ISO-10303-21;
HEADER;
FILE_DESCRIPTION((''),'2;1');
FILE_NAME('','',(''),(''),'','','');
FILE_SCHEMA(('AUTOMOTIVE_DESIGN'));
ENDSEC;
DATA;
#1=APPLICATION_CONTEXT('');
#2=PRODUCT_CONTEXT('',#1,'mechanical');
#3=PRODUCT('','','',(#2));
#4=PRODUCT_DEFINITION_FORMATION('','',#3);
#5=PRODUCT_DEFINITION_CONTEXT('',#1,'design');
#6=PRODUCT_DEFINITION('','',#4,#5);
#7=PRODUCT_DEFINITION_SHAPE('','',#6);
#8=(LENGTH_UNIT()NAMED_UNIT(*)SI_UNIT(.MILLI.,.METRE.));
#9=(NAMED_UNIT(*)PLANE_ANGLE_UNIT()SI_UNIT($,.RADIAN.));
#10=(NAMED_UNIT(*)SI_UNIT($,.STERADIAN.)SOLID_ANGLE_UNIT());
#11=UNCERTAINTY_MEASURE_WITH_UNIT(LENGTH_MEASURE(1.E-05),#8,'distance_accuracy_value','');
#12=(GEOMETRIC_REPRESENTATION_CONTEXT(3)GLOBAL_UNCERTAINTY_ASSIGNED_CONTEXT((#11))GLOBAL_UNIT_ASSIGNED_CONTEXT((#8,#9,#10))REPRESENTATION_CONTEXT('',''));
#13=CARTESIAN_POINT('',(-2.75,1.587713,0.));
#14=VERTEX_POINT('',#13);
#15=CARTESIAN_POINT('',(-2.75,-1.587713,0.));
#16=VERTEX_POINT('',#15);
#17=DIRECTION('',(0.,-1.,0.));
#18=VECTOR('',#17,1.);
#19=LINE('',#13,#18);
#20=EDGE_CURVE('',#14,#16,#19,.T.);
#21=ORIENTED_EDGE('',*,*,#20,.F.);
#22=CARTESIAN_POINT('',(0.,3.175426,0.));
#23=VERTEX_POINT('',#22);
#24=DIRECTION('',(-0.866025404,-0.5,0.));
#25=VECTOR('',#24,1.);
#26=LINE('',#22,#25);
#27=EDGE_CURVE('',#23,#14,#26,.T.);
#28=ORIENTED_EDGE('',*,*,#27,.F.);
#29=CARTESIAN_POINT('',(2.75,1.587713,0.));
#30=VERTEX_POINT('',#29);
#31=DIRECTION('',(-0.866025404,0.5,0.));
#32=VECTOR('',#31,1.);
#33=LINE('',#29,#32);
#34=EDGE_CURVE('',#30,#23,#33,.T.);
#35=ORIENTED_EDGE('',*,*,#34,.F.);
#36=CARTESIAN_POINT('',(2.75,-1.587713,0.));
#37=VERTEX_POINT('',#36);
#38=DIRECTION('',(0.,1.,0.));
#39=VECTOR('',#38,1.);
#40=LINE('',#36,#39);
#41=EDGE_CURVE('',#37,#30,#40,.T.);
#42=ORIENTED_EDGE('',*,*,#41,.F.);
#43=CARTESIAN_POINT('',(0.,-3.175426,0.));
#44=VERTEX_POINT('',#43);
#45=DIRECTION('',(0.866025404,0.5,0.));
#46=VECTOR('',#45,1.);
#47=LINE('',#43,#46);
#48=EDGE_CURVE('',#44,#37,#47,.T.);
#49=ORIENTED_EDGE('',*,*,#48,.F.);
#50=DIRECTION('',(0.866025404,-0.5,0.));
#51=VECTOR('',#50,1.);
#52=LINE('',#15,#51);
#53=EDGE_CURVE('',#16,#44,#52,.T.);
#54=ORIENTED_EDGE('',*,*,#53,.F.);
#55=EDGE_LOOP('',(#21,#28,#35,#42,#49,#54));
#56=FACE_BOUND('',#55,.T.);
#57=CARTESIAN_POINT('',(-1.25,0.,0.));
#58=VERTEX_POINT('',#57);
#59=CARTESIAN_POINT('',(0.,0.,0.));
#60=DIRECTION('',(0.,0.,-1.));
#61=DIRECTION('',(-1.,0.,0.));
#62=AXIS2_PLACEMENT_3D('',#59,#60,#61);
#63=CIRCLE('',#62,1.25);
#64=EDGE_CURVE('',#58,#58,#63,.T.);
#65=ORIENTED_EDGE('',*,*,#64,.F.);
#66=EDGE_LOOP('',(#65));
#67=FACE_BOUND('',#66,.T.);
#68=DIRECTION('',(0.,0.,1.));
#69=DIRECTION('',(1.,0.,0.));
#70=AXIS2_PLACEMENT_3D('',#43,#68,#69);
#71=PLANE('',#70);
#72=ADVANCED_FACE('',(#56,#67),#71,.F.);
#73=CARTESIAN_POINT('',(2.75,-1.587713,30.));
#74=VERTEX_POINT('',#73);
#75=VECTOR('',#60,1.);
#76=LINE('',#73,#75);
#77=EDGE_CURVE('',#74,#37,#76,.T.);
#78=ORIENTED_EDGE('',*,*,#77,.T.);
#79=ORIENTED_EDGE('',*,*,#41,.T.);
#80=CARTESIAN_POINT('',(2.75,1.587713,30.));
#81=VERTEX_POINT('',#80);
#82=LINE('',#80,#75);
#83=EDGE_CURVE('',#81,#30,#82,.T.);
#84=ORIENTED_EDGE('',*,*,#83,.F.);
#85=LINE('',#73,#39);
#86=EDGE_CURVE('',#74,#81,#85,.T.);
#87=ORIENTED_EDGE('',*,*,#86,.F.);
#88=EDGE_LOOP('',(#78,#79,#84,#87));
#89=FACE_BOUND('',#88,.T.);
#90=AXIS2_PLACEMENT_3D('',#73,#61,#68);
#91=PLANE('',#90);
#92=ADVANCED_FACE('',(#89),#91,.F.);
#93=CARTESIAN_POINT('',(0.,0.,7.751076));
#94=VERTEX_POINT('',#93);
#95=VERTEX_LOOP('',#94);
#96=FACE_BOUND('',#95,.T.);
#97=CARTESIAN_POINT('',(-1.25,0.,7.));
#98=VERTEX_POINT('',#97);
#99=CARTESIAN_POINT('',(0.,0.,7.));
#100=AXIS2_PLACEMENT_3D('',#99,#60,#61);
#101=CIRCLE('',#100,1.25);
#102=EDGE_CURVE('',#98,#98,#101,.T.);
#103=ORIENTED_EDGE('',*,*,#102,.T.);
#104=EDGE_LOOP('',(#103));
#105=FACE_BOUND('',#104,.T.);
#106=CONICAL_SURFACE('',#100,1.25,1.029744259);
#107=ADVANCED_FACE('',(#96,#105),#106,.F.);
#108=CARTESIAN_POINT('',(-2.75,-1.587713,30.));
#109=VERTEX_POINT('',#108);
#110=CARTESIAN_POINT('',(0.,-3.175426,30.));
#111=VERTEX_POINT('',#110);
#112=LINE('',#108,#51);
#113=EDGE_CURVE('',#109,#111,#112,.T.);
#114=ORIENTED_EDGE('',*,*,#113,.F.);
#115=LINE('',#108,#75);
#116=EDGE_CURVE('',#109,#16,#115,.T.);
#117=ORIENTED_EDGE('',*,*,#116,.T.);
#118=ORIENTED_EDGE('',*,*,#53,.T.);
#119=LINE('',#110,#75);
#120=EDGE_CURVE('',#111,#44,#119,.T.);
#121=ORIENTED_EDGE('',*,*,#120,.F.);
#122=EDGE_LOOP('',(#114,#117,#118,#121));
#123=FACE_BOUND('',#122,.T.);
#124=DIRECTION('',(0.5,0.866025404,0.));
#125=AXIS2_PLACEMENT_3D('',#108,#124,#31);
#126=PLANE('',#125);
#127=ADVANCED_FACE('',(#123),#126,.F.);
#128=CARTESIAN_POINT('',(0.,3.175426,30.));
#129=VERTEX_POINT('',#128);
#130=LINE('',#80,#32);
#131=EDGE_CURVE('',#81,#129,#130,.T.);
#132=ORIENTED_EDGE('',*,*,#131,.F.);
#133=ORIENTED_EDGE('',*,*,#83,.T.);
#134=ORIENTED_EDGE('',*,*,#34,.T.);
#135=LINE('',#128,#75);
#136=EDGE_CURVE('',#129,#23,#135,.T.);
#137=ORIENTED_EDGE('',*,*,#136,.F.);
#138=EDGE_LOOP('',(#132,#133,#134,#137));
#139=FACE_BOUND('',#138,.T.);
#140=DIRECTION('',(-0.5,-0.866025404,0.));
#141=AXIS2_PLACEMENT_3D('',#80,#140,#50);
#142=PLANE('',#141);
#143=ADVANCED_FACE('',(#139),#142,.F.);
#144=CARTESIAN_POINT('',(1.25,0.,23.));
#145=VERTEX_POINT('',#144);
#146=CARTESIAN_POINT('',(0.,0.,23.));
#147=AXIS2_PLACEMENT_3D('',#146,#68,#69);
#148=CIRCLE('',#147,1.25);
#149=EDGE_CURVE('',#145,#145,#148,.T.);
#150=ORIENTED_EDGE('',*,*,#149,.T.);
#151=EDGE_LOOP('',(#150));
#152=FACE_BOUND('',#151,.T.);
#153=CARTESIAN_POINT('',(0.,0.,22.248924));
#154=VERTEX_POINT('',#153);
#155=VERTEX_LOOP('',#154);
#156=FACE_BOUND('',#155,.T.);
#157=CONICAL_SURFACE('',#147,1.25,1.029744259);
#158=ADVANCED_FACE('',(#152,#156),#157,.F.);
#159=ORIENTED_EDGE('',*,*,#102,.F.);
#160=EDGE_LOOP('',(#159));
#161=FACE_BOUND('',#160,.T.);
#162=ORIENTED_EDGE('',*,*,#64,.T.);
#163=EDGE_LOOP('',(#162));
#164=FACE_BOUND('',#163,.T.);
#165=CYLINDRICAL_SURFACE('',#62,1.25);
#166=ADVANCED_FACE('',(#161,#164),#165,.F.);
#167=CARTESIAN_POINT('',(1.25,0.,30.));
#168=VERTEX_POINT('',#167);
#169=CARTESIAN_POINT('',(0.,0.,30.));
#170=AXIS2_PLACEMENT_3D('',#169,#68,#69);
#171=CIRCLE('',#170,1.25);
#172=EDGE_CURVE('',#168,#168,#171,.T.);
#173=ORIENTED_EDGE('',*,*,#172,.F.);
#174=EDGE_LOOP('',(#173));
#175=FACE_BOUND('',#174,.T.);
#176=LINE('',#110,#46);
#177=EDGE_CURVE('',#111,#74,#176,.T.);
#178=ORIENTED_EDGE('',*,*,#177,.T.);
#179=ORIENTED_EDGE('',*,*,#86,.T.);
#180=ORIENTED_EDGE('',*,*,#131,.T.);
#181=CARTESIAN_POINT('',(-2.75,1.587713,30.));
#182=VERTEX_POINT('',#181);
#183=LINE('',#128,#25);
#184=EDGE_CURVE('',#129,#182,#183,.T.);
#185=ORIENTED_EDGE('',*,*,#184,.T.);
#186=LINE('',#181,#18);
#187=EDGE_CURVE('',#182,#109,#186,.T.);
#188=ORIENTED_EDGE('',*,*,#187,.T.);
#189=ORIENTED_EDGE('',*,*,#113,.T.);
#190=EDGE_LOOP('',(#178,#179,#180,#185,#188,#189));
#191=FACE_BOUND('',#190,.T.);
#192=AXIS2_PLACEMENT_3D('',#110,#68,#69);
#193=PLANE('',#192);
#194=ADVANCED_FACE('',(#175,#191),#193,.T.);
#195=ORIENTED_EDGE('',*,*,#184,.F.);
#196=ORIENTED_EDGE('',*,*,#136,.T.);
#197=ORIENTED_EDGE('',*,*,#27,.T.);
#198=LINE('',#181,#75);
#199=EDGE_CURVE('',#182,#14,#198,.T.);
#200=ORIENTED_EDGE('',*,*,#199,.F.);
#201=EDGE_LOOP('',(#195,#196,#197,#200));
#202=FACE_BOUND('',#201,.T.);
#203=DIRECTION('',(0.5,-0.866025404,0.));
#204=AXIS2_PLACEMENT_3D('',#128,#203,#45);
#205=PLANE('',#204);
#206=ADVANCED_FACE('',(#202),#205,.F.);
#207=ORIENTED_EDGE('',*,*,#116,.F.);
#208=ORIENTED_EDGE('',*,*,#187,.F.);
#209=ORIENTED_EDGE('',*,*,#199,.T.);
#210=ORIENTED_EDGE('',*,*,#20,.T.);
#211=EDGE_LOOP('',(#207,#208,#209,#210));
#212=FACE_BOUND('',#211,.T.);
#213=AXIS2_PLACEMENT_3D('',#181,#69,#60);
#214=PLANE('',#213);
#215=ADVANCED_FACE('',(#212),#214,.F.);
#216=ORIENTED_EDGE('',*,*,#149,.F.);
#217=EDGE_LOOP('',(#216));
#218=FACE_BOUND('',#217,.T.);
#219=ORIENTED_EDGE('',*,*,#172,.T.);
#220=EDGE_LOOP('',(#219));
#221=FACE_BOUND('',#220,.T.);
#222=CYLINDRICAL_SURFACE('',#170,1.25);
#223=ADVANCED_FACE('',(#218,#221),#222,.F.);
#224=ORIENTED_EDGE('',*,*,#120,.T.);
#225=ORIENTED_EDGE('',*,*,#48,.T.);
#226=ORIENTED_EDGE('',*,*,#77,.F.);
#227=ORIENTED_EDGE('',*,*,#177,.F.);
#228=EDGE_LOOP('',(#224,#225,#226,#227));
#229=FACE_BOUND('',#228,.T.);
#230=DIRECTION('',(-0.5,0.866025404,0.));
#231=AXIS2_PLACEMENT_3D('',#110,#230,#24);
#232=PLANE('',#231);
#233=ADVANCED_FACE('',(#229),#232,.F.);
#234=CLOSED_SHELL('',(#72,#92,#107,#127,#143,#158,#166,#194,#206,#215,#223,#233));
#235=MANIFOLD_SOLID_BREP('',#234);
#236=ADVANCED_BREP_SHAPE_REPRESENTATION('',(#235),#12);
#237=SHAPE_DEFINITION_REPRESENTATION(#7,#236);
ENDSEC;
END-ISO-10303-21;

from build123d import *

# Parameters (mm, degrees)
BOSS_EXTRU_1_DEPTH                            = 30
TROU_POUR_TARAUDAGE_POUR_TROU_TARAUD_M3_D     = 2.5
TROU_POUR_TARAUDAGE_POUR_TROU_TARAUD_M3_DEPTH = 7
TROU_POUR_TARAUDAGE_POUR_TROU_TARAUD_M3_TIP   = 0.751075774
TROU_POUR_TARAUDAGE_POUR_TROU_TARAUD_2_D      = 2.5
TROU_POUR_TARAUDAGE_POUR_TROU_TARAUD_2_DEPTH  = 7
TROU_POUR_TARAUDAGE_POUR_TROU_TARAUD_2_TIP    = 0.751075774


with BuildPart() as part:
    # Esquisse1 → Boss.-Extru.1 (new body)
    with BuildSketch(Plane.XY):
        Polygon((0, -3.175426481), (2.75, -1.58771324), (2.75, 1.58771324), (0, 3.175426481), (-2.75, 1.58771324), (-2.75, -1.58771324), align=None)
    extrude(amount=BOSS_EXTRU_1_DEPTH)

    # Trou pour taraudage pour trou taraud_ M3
    with Locations(Plane.XY.offset(30)):
        with Locations((0, 0)):
            Hole(TROU_POUR_TARAUDAGE_POUR_TROU_TARAUD_M3_D / 2, depth=TROU_POUR_TARAUDAGE_POUR_TROU_TARAUD_M3_DEPTH)
            with Locations((0, 0, -(TROU_POUR_TARAUDAGE_POUR_TROU_TARAUD_M3_DEPTH + TROU_POUR_TARAUDAGE_POUR_TROU_TARAUD_M3_TIP / 2))):  # 118° drill point
                Cone(0, TROU_POUR_TARAUDAGE_POUR_TROU_TARAUD_M3_D / 2, TROU_POUR_TARAUDAGE_POUR_TROU_TARAUD_M3_TIP, mode=Mode.SUBTRACT)

    # Trou pour taraudage pour trou taraud 2
    with Locations(Plane(origin=(0, 0, 0), x_dir=(-1, 0, 0), z_dir=(0, 0, -1))):
        with Locations((0, 0)):
            Hole(TROU_POUR_TARAUDAGE_POUR_TROU_TARAUD_2_D / 2, depth=TROU_POUR_TARAUDAGE_POUR_TROU_TARAUD_2_DEPTH)
            with Locations((0, 0, -(TROU_POUR_TARAUDAGE_POUR_TROU_TARAUD_2_DEPTH + TROU_POUR_TARAUDAGE_POUR_TROU_TARAUD_2_TIP / 2))):  # 118° drill point
                Cone(0, TROU_POUR_TARAUDAGE_POUR_TROU_TARAUD_2_D / 2, TROU_POUR_TARAUDAGE_POUR_TROU_TARAUD_2_TIP, mode=Mode.SUBTRACT)


solid = part.part
